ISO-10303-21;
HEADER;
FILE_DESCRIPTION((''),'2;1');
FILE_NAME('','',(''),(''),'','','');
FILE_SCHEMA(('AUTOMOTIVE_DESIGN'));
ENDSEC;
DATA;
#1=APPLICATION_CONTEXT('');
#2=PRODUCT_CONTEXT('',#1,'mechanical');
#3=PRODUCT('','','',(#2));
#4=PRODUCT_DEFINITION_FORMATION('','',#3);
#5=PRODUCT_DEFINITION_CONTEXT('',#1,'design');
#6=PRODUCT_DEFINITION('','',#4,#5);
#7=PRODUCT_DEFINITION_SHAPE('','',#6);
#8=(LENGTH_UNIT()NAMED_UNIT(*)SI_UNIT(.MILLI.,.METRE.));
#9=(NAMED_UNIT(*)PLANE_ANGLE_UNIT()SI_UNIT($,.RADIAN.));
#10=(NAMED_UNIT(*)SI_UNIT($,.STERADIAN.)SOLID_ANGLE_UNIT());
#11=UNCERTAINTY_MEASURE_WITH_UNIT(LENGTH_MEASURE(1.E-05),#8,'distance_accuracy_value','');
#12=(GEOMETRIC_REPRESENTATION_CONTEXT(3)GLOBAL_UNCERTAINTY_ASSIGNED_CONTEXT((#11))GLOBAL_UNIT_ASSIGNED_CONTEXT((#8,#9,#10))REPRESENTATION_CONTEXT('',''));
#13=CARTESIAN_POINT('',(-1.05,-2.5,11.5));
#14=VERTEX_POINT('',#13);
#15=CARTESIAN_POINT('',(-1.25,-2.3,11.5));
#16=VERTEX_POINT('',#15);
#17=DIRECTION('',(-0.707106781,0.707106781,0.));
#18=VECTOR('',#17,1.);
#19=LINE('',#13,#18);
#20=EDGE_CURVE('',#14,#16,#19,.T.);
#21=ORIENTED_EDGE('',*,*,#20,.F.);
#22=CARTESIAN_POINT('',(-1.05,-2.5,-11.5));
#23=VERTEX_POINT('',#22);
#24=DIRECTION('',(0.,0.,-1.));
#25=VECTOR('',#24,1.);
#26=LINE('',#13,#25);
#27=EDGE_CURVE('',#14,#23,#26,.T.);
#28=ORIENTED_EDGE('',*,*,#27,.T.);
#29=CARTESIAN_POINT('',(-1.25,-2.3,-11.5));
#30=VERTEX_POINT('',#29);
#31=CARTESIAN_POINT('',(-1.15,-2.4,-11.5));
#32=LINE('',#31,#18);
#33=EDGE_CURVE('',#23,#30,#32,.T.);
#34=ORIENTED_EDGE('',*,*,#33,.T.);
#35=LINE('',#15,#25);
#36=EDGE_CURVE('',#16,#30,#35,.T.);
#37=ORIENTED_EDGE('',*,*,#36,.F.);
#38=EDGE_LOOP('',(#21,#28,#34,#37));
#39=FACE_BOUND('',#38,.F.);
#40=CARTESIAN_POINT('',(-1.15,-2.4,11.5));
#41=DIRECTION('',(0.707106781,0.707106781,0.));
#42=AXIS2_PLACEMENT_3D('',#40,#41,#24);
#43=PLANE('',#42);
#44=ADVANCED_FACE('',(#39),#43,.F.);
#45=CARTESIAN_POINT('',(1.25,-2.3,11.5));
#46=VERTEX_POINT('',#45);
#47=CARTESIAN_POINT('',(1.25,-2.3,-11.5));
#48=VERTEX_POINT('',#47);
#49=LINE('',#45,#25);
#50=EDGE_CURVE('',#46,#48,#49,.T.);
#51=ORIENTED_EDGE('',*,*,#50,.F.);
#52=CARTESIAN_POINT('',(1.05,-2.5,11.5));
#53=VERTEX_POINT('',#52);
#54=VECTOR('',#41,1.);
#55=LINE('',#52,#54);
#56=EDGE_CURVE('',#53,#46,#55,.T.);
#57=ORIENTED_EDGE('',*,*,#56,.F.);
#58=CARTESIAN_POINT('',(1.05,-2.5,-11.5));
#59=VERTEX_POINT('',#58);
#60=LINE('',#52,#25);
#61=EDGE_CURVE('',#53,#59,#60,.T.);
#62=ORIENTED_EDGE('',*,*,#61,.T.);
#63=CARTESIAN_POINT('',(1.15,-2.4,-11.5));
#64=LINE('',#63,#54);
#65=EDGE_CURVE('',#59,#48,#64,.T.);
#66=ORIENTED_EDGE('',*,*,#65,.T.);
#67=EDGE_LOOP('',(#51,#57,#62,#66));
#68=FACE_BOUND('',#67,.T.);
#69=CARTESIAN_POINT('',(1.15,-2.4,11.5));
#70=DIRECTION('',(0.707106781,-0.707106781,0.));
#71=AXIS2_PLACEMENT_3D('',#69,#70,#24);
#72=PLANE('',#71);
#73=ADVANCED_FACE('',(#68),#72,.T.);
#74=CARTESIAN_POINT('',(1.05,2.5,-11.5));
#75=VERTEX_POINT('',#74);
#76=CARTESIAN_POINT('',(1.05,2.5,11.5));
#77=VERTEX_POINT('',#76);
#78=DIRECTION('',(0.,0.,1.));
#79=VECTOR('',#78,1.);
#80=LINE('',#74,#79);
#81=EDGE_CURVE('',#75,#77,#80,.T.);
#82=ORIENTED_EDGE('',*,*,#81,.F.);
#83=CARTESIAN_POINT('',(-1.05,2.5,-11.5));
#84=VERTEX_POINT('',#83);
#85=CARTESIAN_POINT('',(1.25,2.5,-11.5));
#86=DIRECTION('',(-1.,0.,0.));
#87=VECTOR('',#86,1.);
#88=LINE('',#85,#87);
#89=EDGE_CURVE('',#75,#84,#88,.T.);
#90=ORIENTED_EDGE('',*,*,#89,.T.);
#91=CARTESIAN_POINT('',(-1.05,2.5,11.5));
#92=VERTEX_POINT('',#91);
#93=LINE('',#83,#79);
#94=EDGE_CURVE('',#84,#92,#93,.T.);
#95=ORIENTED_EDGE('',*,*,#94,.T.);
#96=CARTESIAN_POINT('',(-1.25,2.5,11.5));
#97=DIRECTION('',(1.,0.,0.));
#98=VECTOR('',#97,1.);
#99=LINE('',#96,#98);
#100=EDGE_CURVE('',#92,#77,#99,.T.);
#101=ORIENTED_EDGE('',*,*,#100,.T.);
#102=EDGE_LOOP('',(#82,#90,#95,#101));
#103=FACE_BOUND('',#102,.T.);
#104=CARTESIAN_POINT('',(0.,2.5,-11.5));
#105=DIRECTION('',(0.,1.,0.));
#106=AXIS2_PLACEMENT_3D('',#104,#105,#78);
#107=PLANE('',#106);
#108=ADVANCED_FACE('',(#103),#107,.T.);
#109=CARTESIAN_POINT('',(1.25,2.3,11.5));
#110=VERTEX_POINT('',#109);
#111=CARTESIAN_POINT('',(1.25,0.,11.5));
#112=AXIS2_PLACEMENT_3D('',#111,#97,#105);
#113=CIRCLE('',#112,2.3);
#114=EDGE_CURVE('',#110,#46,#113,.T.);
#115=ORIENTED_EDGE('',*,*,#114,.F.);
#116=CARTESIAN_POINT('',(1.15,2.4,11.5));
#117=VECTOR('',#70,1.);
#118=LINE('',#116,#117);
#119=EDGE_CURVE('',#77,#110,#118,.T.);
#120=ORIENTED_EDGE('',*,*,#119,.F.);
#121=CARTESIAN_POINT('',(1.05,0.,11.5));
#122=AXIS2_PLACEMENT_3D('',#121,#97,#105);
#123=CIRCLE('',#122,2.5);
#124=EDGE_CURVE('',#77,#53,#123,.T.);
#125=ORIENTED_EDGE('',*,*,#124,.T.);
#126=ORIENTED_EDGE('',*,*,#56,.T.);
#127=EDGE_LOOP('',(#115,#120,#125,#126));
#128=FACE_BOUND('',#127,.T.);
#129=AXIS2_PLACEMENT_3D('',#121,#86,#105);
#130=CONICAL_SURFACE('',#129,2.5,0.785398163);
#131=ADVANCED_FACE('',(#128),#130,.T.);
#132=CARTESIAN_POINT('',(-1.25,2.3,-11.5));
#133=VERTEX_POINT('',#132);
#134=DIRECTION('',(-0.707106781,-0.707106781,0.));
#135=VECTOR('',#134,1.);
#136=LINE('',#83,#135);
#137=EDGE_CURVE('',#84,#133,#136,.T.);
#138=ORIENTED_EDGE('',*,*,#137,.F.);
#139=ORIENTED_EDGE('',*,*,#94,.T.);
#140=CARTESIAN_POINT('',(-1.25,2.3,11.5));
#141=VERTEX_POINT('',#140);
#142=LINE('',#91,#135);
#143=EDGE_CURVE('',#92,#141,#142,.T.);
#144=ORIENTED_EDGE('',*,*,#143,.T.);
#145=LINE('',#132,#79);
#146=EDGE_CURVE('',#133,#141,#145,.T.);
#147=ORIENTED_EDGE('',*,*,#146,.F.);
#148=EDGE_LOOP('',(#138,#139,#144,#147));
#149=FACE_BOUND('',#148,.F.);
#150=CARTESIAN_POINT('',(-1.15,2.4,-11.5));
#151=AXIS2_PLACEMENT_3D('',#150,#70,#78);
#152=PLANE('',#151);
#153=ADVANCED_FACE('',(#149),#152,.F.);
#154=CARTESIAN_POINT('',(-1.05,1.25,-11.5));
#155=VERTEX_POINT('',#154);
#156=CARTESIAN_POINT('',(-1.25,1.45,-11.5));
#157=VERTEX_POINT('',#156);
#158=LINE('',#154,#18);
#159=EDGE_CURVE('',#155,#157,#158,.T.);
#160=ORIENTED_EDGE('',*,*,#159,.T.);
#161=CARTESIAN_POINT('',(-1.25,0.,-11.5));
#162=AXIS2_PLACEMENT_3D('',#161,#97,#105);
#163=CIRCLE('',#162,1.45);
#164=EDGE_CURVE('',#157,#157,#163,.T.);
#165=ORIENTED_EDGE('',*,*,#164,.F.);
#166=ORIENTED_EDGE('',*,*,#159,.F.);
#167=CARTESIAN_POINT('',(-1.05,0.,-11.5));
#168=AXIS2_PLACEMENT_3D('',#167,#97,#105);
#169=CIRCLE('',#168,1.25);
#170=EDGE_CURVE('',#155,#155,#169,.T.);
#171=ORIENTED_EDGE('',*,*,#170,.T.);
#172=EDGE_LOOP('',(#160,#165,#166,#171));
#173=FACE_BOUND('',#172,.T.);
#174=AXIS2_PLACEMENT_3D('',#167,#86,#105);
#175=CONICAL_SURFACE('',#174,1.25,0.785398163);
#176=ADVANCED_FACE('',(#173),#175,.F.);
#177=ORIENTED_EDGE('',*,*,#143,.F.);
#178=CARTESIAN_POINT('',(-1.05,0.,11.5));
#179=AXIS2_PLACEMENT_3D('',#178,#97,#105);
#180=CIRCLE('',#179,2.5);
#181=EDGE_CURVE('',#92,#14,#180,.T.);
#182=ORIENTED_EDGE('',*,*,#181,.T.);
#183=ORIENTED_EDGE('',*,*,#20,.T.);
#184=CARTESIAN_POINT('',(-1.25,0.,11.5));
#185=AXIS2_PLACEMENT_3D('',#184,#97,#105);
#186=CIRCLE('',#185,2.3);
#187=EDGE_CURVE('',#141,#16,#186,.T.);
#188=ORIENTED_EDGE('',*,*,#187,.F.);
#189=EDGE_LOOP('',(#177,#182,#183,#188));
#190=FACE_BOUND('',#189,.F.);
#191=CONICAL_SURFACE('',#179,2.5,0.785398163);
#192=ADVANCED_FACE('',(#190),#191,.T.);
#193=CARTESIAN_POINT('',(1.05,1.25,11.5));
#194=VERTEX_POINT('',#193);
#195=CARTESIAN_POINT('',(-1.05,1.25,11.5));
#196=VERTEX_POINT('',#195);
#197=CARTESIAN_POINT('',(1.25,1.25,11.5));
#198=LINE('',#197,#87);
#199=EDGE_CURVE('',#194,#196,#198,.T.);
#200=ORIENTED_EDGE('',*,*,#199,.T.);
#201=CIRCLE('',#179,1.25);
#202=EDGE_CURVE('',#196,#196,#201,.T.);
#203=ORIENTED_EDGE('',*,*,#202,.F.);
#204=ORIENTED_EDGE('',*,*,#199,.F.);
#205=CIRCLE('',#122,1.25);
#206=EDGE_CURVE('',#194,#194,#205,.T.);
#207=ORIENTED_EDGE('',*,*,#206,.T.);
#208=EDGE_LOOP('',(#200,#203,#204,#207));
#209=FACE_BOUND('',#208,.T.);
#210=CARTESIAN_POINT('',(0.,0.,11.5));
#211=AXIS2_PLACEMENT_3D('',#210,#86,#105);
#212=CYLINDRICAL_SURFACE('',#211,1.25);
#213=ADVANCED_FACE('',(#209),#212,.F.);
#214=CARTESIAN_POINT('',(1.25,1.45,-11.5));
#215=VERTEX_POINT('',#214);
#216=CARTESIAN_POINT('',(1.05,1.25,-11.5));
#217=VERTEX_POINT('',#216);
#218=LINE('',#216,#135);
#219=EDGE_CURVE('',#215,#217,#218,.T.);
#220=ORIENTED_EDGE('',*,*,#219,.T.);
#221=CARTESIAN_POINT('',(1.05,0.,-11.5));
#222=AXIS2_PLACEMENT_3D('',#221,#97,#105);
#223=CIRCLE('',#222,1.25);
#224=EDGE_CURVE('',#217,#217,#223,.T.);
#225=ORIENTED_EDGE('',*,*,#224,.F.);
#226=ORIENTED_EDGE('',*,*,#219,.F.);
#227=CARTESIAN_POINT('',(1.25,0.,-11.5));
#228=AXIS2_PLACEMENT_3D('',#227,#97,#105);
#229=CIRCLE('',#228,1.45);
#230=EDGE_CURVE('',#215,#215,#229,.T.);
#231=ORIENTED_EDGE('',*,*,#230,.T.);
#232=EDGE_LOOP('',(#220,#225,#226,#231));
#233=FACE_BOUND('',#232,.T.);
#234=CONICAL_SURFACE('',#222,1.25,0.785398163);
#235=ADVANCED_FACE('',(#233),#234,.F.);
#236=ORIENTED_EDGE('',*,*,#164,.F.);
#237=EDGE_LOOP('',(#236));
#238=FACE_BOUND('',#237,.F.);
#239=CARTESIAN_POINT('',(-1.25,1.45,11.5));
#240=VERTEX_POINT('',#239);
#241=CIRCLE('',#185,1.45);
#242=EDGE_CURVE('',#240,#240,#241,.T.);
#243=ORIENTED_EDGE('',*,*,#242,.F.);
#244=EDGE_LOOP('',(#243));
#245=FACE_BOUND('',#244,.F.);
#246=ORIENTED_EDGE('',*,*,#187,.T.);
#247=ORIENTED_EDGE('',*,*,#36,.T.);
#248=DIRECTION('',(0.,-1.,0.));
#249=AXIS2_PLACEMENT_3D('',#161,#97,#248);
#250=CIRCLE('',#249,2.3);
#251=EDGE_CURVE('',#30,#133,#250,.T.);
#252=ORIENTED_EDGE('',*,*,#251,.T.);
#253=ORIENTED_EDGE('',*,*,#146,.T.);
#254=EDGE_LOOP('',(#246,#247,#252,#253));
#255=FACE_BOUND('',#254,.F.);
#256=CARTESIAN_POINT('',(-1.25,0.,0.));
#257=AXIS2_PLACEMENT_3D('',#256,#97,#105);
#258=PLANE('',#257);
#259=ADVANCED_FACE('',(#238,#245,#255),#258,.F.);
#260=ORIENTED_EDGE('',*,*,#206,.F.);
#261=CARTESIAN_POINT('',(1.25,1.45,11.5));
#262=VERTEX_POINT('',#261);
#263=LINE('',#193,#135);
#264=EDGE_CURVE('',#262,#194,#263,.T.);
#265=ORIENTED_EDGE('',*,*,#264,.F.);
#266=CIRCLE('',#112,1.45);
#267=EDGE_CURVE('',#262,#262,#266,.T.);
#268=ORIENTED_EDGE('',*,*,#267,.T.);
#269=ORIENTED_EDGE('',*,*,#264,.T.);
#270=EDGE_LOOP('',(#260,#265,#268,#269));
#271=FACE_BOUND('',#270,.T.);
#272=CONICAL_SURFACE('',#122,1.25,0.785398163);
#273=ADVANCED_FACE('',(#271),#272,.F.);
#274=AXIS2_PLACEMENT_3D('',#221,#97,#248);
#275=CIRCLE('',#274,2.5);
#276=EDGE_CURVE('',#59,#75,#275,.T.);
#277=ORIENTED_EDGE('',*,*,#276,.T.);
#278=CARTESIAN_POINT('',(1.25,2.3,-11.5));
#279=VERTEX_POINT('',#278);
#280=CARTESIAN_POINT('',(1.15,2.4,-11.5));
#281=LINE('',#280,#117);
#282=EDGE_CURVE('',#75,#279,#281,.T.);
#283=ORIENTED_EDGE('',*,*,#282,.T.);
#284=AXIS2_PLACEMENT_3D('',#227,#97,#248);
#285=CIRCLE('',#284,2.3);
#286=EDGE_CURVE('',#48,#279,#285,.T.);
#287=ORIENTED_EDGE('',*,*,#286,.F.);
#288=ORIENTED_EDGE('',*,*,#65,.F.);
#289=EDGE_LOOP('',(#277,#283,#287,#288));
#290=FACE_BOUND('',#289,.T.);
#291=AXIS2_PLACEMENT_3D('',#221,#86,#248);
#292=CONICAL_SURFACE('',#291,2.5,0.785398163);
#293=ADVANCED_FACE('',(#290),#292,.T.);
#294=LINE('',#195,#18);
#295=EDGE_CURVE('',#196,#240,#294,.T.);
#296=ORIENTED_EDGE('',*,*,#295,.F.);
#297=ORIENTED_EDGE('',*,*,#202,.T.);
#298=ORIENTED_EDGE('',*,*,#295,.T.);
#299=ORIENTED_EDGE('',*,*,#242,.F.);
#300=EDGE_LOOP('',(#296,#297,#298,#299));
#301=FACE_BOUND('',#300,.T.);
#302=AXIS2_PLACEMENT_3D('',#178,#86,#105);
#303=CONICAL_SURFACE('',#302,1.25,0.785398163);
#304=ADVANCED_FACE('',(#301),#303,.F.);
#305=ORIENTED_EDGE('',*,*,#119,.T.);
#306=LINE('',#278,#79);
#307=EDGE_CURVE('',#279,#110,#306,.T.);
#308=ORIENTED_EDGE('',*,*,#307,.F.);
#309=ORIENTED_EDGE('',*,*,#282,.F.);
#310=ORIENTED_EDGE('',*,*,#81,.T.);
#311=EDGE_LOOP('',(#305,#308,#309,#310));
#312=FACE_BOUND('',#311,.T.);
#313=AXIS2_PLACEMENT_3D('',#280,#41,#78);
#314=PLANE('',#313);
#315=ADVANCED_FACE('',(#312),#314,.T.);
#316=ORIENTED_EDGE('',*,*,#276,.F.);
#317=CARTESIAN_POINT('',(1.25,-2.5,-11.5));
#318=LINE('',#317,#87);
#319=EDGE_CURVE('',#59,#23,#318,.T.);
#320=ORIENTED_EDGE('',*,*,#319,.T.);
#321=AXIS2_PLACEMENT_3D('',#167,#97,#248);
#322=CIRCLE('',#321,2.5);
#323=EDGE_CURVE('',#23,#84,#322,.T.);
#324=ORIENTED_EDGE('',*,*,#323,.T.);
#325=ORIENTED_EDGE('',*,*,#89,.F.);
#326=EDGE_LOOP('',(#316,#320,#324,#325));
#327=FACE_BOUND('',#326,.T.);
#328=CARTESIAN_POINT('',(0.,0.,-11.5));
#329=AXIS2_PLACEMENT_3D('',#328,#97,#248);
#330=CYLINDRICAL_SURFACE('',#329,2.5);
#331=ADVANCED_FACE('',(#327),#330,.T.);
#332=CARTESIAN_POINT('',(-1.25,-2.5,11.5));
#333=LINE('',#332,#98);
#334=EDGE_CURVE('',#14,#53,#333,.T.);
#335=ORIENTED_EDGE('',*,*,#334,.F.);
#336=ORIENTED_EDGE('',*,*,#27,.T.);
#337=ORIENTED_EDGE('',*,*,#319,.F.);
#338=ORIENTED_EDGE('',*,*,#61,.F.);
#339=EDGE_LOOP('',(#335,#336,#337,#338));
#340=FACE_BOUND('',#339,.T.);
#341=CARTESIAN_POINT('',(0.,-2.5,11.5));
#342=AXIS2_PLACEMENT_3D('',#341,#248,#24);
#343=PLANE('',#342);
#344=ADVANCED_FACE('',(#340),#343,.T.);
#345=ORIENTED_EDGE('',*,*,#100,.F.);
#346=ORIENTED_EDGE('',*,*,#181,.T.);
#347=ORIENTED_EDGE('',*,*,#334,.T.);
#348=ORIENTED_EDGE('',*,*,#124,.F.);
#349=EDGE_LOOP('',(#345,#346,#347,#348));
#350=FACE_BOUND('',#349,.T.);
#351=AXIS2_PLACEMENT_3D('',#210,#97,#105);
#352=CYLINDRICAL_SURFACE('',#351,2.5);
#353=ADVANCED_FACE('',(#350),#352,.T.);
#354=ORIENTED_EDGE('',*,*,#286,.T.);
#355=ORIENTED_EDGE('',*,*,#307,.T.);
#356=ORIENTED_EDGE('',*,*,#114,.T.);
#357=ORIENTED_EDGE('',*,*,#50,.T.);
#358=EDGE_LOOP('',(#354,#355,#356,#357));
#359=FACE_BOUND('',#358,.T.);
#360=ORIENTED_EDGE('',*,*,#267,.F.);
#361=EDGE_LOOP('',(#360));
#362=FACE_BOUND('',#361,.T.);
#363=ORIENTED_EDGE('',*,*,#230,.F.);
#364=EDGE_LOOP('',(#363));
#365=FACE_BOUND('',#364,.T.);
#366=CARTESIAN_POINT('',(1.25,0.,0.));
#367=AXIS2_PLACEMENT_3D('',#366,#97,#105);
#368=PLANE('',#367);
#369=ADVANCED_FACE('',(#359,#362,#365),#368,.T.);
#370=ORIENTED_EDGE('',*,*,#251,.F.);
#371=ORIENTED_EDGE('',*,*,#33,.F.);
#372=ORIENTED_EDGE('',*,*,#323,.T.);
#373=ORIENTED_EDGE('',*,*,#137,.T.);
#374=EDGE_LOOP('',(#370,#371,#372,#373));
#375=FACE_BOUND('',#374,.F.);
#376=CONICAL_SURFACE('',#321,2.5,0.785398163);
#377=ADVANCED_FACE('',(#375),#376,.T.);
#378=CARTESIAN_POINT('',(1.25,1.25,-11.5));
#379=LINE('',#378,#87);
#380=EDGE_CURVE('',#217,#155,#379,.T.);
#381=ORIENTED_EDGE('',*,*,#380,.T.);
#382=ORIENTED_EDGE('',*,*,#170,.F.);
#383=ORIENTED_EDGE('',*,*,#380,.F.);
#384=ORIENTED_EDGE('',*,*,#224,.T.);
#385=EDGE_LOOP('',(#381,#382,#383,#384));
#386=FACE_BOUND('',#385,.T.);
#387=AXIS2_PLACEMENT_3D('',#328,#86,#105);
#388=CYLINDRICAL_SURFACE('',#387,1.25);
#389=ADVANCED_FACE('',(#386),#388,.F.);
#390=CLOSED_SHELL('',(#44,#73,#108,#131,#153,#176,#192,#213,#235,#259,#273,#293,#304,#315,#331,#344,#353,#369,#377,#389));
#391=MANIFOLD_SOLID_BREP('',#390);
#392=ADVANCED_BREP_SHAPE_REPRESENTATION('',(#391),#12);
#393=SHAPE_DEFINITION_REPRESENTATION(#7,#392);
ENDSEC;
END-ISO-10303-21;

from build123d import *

# Parameters (mm, degrees)
F0_R     = 1.25
F1_DEPTH = 1.25
F2_SIZE  = 0.2


with BuildPart() as f1:
    # F0 (on Right) → F1 (new body, symmetric)
    with BuildSketch(Plane.YZ):
        with BuildLine():
            Line((2.5, -11.5), (2.5, 11.5))
            ThreePointArc((2.5, 11.5), (0, 14), (-2.5, 11.5))
            Line((-2.5, 11.5), (-2.5, -11.5))
            ThreePointArc((-2.5, -11.5), (0, -14), (2.5, -11.5))
        make_face()
        with Locations((0, -11.5)):
            Circle(F0_R, mode=Mode.SUBTRACT)
        with Locations((0, 11.5)):
            Circle(F0_R, mode=Mode.SUBTRACT)
    extrude(amount=F1_DEPTH, both=True)

    # F2
    f2_edges = [f1.edges().sort_by_distance(p)[0] for p in [
        (1.25, 2.5, 0),
        (1.25, 0, 14),
        (1.25, -2.5, 0),
        (1.25, 0, -14),
        (-1.25, 0, 14),
        (-1.25, 2.5, 0),
        (-1.25, -2.5, 0),
        (-1.25, 0, -14),
        (-1.25, -1.25, 11.5),
        (-1.25, -1.25, -11.5),
        (1.25, -1.25, 11.5),
        (1.25, -1.25, -11.5),
    ]]
    chamfer(f2_edges, length=F2_SIZE)


solid = f1.part
